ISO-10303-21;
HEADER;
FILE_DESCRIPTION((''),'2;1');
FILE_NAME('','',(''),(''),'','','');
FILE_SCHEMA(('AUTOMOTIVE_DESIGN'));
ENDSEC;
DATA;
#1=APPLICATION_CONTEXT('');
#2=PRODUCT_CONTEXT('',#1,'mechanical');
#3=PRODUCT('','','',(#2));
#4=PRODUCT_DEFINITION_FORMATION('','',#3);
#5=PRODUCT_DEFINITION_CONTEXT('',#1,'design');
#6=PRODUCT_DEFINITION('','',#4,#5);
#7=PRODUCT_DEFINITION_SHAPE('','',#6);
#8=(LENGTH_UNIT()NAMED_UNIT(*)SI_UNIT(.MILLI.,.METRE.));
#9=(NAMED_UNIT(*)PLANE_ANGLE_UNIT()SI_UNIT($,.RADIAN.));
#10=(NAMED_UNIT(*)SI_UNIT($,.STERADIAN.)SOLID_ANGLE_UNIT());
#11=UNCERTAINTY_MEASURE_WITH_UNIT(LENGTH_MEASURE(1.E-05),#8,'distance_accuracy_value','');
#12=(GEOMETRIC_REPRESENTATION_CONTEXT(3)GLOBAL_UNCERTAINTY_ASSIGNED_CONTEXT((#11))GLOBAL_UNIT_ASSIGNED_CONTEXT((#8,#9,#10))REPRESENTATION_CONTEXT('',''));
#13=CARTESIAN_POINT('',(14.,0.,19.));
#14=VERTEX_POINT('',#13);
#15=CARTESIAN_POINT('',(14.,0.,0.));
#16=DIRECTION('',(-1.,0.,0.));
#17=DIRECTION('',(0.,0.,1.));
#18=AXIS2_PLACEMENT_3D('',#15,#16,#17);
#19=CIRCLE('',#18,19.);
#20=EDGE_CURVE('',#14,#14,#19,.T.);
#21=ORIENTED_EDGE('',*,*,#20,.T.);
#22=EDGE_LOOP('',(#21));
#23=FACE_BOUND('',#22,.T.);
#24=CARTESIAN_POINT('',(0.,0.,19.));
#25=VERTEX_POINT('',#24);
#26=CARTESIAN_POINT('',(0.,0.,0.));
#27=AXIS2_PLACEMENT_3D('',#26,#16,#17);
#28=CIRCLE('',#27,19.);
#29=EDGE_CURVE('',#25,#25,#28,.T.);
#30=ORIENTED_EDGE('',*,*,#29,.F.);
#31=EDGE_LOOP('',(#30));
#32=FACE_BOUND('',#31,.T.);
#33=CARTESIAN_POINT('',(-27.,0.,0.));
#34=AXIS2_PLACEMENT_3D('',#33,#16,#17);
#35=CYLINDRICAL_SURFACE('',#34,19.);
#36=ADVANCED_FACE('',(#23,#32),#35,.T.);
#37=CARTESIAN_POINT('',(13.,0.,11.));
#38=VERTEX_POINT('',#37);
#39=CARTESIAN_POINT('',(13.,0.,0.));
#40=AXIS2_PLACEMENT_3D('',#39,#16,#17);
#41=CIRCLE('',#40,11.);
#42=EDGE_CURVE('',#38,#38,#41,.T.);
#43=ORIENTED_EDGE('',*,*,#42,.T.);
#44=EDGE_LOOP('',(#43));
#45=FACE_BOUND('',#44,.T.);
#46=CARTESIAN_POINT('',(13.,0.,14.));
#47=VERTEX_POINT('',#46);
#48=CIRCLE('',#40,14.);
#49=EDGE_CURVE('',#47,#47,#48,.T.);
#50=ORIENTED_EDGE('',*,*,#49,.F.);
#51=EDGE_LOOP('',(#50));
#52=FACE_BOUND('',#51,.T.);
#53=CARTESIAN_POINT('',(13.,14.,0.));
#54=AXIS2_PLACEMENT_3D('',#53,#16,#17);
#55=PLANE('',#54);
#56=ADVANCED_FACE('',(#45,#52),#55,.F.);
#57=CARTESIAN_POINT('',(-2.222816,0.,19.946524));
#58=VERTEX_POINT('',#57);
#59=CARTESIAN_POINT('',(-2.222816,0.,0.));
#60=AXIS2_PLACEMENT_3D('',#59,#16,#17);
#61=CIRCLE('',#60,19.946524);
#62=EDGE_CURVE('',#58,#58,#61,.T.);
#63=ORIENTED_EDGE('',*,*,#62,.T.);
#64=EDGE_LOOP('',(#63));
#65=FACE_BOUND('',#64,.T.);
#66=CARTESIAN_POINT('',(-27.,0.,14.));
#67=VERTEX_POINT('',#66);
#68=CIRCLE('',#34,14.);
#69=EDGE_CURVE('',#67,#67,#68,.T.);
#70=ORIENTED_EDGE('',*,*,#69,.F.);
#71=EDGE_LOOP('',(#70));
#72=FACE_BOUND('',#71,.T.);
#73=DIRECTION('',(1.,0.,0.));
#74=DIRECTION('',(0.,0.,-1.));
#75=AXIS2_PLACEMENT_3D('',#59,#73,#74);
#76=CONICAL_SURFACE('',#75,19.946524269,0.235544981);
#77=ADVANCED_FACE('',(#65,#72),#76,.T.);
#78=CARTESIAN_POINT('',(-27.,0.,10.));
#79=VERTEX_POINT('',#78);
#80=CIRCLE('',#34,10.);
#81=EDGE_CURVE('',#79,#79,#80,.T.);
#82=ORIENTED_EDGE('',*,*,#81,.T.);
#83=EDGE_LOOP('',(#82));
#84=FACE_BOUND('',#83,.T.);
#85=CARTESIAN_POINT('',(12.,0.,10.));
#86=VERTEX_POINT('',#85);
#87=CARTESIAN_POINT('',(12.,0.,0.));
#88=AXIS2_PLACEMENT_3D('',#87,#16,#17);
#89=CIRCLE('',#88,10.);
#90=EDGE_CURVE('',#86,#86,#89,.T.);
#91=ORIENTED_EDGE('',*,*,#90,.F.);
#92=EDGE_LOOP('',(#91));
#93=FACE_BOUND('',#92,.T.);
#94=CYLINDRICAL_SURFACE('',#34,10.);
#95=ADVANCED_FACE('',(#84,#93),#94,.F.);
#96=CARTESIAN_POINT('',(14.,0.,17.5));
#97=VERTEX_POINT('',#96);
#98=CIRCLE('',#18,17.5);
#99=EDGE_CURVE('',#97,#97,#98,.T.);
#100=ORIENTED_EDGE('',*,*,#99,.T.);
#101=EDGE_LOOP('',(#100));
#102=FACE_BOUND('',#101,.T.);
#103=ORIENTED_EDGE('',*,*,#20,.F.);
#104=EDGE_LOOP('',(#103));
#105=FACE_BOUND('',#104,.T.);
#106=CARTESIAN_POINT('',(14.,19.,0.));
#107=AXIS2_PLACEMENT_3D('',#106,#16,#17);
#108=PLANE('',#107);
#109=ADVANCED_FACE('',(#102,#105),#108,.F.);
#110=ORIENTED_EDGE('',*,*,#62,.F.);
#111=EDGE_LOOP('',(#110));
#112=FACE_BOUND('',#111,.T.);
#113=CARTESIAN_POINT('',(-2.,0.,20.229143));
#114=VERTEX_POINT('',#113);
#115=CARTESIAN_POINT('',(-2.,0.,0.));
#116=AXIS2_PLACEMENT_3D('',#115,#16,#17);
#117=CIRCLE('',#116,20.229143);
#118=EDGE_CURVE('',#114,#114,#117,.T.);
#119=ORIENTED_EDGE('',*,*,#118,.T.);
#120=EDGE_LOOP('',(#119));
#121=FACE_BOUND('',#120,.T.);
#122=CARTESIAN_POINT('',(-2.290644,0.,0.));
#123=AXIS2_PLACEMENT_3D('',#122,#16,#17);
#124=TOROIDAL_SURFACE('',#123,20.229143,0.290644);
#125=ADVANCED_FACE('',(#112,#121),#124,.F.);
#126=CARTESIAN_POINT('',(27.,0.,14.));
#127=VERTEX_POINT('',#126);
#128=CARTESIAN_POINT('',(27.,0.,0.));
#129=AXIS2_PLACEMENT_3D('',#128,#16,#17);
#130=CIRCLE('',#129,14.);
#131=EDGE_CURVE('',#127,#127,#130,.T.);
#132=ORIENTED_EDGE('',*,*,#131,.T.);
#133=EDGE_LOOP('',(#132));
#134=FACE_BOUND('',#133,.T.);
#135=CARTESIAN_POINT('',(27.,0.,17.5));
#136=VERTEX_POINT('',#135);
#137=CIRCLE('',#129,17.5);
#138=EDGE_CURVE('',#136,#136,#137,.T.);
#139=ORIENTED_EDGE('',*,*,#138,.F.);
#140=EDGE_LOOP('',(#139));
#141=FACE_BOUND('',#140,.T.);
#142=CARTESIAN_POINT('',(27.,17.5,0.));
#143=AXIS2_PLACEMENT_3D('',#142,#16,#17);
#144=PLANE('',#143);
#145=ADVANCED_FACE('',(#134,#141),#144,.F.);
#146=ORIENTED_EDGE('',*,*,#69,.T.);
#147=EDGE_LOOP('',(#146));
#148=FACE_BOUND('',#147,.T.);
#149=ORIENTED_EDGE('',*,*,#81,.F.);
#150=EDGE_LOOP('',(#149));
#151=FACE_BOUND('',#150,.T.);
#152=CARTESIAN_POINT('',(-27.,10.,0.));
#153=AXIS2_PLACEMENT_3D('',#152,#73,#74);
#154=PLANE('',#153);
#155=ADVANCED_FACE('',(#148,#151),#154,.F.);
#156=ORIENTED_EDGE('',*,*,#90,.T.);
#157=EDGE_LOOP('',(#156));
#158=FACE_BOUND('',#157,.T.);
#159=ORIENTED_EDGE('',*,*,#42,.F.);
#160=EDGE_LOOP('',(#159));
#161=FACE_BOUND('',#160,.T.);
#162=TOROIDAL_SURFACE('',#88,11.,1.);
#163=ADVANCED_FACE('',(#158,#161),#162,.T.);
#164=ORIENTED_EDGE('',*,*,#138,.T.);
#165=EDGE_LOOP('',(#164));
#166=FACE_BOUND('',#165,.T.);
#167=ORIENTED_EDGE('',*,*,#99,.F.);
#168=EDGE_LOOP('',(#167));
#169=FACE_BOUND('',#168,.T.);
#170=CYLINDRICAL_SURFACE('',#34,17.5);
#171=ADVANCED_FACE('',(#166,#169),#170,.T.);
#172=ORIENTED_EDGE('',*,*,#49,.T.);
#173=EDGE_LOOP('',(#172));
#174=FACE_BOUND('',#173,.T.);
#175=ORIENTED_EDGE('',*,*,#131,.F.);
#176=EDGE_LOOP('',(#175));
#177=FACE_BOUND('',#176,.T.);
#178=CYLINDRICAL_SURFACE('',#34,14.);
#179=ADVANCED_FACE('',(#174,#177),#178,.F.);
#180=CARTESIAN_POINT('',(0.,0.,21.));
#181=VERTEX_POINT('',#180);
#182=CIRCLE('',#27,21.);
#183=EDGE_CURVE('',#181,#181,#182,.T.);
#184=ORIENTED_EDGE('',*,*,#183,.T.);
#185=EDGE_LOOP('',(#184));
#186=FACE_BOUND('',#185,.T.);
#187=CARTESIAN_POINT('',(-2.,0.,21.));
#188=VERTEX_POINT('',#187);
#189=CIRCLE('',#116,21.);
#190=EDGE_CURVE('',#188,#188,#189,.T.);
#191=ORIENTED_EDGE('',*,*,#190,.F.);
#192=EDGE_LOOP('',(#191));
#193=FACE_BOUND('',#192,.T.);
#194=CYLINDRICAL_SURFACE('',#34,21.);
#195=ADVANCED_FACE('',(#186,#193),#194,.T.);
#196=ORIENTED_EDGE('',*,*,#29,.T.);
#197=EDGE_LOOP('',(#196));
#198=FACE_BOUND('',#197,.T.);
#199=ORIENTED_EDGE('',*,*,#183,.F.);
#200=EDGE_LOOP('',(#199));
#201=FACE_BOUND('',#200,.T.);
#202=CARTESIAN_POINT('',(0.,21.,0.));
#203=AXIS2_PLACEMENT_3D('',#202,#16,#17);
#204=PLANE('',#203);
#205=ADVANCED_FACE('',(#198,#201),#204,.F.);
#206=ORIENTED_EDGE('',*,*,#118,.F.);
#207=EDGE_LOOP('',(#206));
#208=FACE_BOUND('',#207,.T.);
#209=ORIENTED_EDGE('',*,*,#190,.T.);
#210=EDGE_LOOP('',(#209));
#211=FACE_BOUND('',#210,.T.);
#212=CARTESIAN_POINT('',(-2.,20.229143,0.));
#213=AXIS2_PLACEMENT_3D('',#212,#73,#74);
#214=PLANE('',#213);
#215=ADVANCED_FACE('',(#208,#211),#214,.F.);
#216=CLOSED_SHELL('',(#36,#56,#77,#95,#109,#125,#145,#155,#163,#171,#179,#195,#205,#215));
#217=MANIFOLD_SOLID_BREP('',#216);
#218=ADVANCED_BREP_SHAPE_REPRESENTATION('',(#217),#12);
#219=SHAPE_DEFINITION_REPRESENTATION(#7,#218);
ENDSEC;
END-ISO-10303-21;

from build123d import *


with BuildPart() as part:
    # Sketch1 → Revolve1 (revolve)
    with BuildSketch(Plane.XY):
        with BuildLine():
            Line((-27, 10), (12, 10))
            ThreePointArc((12, 10), (12.707106781, 10.292893219), (13, 11))
            Line((13, 11), (13, 14))
            Line((13, 14), (27, 14))
            Line((27, 14), (27, 17.5))
            Line((27, 17.5), (14, 17.5))
            Line((14, 17.5), (14, 19))
            Line((14, 19), (0, 19))
            Line((0, 19), (0, 21))
            Line((0, 21), (-2, 21))
            Line((-2, 21), (-2, 20.229142798))
            ThreePointArc((-2, 20.229142798), (-2.062403045, 20.049198361), (-2.222815548, 19.946524269))
            Line((-2.222815548, 19.946524269), (-27, 14))
            Line((-27, 14), (-27, 10))
        make_face()
    revolve(axis=Axis((-27, 0, 0), (1, 0, 0)))


solid = part.part
